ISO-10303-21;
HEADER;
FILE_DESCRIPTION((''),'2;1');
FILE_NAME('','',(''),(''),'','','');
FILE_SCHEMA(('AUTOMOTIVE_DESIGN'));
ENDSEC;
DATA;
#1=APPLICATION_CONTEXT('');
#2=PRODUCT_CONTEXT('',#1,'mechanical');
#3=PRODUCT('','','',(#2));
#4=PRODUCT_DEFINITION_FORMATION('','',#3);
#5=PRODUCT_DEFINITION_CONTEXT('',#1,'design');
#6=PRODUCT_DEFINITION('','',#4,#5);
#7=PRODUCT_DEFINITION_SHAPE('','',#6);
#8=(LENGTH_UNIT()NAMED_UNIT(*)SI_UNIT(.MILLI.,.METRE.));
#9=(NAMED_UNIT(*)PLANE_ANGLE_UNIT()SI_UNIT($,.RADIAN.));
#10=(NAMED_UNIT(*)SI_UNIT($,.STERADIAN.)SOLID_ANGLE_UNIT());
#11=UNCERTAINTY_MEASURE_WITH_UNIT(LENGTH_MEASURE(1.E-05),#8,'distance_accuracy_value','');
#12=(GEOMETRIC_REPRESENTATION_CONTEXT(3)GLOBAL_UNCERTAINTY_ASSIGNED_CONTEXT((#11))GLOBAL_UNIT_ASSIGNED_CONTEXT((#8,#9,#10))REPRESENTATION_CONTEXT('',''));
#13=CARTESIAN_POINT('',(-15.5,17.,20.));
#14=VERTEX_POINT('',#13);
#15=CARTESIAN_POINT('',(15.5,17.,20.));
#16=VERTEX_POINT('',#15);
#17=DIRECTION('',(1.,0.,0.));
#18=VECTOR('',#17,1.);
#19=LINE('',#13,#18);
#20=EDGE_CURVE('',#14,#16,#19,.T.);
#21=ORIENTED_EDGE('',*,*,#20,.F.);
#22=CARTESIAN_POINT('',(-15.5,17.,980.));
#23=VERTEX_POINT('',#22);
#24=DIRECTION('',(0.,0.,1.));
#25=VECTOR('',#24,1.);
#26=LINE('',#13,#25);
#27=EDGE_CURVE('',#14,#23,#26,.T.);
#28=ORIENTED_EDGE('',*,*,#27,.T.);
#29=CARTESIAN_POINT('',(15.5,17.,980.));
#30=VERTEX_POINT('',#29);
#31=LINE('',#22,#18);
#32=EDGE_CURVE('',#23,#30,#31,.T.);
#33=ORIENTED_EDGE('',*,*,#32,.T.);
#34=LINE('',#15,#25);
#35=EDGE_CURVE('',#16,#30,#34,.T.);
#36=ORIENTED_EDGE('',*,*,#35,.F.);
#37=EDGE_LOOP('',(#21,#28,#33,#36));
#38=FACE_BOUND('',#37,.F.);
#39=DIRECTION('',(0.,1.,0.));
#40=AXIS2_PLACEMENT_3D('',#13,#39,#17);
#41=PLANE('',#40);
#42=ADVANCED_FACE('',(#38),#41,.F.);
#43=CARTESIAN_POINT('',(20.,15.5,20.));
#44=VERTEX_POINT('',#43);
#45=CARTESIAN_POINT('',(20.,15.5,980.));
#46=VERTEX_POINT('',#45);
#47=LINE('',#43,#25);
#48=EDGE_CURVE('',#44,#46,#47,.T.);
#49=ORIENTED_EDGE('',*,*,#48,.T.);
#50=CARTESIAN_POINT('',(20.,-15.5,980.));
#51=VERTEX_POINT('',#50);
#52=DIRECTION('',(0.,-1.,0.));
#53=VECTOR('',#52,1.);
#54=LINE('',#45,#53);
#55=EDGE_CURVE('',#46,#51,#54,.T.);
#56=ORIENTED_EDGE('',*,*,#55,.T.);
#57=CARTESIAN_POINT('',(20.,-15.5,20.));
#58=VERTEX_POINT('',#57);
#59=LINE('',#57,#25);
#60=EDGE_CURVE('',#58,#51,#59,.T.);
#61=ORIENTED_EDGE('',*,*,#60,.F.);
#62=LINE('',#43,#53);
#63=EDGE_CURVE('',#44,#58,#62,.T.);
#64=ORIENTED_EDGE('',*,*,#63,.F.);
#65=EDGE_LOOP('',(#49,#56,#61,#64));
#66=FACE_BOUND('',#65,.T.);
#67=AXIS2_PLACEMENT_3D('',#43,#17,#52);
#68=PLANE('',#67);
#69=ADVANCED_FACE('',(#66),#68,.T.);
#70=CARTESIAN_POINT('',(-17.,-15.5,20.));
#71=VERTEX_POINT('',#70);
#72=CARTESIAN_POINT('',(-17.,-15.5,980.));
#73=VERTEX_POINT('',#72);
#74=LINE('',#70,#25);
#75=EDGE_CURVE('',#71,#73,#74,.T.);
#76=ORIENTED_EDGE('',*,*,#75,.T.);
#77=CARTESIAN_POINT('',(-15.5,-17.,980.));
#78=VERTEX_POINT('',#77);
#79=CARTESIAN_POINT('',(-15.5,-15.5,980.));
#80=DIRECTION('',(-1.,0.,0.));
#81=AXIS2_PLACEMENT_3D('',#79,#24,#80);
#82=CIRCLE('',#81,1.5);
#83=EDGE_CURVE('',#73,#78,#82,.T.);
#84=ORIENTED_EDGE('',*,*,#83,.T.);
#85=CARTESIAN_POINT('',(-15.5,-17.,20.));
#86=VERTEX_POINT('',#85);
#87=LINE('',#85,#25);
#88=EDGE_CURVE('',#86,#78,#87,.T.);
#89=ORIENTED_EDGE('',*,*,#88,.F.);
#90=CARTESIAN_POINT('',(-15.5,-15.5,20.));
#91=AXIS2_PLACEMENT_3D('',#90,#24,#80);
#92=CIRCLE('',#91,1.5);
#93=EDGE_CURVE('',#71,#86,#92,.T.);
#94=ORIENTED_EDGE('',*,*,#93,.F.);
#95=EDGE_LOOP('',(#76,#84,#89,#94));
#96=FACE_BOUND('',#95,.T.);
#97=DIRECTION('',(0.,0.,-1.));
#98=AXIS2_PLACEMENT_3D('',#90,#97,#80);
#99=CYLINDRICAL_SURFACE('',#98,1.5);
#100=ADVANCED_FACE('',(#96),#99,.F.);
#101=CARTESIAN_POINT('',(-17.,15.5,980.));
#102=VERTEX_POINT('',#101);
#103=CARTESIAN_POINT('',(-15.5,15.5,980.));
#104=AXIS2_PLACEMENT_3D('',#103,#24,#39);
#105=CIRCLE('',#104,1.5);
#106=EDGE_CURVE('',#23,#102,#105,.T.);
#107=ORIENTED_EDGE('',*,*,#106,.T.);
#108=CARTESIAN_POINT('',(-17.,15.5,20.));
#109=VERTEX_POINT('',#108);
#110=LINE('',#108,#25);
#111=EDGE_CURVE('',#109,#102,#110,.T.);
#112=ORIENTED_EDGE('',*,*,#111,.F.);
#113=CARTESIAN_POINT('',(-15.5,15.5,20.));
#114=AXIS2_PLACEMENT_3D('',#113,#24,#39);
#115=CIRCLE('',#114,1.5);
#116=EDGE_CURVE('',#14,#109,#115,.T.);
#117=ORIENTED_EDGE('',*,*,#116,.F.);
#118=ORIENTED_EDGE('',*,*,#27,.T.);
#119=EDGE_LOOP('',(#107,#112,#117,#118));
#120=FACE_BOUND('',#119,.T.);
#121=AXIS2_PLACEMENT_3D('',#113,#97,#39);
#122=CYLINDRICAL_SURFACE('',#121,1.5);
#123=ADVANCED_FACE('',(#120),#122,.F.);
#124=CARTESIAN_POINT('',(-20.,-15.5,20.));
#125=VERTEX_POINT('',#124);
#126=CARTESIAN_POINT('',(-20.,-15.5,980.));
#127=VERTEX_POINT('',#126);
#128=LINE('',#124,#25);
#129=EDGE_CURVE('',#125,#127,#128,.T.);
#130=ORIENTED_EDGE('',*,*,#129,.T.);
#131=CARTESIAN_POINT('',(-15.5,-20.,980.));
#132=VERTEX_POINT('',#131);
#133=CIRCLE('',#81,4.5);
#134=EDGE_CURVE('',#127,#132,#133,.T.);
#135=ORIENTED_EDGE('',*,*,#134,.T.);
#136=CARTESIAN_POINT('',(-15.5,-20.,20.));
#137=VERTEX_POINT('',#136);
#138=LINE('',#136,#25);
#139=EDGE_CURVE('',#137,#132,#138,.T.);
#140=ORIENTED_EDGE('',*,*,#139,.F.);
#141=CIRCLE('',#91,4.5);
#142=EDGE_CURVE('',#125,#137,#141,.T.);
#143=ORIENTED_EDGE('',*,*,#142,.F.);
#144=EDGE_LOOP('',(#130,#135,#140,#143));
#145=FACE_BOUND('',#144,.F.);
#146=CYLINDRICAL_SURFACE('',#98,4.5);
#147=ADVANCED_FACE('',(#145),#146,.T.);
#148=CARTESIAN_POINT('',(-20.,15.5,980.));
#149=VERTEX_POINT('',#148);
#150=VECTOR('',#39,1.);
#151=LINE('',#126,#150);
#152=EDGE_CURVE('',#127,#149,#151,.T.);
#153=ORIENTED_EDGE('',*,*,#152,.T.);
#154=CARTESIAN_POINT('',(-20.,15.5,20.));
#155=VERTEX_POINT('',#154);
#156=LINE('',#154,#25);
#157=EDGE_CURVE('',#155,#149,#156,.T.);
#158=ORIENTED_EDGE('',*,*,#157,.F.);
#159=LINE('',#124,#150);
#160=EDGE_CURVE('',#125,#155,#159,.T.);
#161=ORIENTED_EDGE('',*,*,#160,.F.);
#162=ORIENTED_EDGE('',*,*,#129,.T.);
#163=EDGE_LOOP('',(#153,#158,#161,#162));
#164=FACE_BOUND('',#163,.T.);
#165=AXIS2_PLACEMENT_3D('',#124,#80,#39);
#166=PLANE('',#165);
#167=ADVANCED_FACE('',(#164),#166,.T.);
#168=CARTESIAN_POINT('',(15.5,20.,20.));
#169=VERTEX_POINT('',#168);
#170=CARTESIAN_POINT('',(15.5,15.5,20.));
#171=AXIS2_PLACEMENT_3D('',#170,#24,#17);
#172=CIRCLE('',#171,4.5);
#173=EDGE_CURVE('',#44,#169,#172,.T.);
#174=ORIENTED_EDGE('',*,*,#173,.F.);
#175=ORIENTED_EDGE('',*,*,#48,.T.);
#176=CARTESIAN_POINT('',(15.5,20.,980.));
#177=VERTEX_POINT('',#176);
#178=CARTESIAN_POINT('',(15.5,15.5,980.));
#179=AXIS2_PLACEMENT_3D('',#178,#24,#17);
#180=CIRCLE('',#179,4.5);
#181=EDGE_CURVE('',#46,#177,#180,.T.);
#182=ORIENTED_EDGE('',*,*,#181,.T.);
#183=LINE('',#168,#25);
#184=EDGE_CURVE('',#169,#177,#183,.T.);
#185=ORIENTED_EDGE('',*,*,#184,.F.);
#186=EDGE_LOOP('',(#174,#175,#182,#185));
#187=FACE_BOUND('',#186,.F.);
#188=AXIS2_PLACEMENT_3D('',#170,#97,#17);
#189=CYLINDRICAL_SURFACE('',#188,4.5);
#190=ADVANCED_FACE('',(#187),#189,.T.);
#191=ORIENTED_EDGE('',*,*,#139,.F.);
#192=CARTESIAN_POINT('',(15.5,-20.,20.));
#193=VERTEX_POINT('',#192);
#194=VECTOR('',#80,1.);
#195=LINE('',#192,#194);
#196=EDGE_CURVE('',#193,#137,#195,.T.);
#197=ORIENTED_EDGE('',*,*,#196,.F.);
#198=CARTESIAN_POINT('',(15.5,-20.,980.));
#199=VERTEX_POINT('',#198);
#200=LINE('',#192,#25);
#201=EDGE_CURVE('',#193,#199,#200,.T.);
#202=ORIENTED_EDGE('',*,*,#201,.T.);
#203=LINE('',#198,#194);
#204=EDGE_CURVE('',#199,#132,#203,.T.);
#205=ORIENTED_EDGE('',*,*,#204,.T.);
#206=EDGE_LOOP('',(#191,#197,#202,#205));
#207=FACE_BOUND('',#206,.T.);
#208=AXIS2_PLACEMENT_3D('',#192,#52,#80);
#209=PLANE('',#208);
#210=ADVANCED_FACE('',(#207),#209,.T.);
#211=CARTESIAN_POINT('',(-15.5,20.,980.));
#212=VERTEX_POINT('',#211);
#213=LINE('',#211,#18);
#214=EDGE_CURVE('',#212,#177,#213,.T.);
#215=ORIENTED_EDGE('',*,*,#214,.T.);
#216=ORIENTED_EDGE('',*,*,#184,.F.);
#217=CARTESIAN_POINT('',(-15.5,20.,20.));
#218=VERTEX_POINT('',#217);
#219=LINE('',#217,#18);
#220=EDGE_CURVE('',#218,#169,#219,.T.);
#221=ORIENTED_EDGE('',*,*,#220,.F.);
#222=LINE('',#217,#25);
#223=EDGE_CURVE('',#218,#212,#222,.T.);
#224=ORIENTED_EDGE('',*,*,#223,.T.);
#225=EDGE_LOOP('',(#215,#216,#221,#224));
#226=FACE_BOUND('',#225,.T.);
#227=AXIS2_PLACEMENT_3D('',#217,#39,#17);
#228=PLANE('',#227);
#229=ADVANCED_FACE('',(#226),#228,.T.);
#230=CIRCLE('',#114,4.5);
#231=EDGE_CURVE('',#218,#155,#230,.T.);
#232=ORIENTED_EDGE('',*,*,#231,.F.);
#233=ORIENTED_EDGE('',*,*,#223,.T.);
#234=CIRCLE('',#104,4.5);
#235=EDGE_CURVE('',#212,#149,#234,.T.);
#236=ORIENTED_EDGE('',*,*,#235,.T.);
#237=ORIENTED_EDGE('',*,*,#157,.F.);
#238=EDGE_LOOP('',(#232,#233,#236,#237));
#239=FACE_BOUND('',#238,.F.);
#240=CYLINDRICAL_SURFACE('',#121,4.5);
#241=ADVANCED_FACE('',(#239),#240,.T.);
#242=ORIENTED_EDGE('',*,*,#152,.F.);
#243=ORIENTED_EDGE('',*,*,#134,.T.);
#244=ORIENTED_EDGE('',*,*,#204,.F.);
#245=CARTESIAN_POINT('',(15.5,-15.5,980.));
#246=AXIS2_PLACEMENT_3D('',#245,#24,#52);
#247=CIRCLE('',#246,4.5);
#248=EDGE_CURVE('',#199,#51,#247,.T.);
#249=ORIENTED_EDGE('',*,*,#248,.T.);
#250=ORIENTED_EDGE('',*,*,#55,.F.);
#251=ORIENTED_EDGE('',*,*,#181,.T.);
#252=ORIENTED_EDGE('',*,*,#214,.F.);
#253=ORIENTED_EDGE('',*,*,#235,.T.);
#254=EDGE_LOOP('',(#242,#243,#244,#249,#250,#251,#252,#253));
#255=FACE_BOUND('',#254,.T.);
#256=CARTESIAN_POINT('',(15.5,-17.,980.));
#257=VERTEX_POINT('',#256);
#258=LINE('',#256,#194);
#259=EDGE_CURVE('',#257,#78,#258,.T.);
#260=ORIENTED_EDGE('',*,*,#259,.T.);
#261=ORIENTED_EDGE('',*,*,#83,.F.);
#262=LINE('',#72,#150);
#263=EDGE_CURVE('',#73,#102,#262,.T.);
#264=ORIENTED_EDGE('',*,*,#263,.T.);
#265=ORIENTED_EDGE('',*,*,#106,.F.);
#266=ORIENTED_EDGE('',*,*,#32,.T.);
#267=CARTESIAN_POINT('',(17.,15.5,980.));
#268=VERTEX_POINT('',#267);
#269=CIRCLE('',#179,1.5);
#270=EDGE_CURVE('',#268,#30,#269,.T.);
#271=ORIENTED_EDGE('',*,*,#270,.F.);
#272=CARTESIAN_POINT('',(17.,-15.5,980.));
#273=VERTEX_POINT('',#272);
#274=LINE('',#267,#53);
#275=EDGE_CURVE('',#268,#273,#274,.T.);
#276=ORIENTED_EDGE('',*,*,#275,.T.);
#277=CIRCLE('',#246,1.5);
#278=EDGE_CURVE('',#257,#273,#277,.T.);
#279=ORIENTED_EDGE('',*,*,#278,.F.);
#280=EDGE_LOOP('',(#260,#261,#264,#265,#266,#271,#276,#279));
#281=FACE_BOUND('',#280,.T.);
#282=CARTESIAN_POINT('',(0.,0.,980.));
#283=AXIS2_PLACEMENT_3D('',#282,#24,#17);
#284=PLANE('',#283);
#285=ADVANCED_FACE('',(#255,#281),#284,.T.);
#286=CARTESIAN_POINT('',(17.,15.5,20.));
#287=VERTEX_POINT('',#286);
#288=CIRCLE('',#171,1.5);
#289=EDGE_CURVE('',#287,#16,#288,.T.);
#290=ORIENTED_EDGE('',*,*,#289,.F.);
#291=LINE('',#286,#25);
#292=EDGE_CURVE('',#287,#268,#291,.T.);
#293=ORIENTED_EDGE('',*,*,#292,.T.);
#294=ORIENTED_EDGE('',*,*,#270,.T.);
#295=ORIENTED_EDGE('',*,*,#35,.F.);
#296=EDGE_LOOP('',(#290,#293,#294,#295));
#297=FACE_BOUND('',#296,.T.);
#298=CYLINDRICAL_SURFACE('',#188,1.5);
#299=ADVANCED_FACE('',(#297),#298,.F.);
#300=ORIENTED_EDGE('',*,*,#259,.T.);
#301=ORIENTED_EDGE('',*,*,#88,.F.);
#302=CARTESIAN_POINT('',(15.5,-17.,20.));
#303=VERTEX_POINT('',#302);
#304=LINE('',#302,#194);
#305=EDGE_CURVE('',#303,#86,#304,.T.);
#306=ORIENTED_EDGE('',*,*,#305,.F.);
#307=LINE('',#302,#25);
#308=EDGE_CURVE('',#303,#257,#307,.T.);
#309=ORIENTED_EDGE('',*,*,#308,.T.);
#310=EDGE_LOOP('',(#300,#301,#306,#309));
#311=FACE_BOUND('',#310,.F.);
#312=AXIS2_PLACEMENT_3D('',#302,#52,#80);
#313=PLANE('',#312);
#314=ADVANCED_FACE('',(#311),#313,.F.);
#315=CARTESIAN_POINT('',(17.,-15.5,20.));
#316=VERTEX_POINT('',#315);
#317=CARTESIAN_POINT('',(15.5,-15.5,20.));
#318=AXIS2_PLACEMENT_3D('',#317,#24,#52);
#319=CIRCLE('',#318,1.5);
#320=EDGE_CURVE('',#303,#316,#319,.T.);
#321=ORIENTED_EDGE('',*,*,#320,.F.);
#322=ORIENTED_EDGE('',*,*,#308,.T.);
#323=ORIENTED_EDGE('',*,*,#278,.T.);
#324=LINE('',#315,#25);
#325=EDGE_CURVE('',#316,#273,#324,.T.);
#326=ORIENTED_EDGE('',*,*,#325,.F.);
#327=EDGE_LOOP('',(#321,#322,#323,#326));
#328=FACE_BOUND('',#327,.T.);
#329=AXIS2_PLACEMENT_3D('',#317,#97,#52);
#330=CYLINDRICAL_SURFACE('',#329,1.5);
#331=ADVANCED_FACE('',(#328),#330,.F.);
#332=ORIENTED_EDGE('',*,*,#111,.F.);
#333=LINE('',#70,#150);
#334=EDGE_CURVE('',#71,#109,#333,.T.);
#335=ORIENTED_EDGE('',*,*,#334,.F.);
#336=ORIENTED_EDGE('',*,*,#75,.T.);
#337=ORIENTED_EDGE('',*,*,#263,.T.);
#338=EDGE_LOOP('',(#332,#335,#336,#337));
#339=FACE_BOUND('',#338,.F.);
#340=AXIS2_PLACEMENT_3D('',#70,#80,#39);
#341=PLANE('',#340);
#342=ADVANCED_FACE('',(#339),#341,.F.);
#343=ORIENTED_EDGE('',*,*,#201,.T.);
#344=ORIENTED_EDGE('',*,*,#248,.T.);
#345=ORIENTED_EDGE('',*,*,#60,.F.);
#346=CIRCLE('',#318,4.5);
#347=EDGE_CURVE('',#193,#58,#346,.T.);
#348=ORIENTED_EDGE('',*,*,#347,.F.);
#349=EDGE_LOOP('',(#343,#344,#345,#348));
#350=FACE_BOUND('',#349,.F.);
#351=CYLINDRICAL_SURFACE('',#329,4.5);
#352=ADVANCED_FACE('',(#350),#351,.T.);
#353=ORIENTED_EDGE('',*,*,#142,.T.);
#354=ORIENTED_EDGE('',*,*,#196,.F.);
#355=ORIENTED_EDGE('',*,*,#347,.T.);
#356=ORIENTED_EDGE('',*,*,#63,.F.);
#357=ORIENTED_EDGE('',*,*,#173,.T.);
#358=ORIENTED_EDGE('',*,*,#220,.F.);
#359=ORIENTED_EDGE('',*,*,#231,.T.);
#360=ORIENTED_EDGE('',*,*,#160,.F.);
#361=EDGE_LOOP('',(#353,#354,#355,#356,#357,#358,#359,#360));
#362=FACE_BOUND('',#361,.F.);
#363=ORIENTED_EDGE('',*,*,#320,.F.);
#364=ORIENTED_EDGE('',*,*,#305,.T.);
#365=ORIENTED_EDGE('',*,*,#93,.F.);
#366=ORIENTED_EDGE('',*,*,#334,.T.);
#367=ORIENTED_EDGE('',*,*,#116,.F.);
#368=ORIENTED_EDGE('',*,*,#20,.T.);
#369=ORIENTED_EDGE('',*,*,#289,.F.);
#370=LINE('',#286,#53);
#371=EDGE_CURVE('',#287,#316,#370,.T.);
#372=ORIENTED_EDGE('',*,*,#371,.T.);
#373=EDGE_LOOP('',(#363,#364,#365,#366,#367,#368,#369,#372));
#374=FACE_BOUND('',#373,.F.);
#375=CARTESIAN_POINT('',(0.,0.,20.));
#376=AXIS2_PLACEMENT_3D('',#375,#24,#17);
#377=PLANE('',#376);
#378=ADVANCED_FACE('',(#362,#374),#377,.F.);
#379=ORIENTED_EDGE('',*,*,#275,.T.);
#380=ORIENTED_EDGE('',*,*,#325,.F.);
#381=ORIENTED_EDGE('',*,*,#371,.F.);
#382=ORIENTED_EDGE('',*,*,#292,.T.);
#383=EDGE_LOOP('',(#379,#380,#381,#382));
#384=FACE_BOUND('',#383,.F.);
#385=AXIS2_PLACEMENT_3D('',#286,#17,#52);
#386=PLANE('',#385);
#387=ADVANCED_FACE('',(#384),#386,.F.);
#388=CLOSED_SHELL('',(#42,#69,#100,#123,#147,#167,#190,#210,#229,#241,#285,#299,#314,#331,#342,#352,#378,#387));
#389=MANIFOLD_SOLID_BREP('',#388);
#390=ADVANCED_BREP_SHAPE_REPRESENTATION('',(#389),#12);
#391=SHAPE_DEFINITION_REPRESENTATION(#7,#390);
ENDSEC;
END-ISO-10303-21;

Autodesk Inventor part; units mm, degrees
ref_plane "Start Plane" through (0, 0, 20) normal (0, 0, 1) x (1, 0, 0)
ref_plane "End Plane" through (0, 0, 980) normal (0, 0, 1) x (1, 0, 0)
sketch "Sketch" plane through (0, 0, 0) normal (0, 0, 1) x (1, 0, 0)
  line L0 (-20, -15.5) -> (-20, 15.5)
  line L1 (-15.5, 20) -> (15.5, 20)
  line L2 (20, 15.5) -> (20, -15.5)
  line L3 (15.5, -20) -> (-15.5, -20)
  arc A0 (-20, -15.5) -> (-15.5, -20) centre (-15.5, -15.5) ccw
  arc A1 (-15.5, 20) -> (-20, 15.5) centre (-15.5, 15.5) ccw
  arc A2 (20, 15.5) -> (15.5, 20) centre (15.5, 15.5) ccw
  arc A3 (15.5, -20) -> (20, -15.5) centre (15.5, -15.5) ccw
  arc A4 (-15.5, 17) -> (-17, 15.5) centre (-15.5, 15.5) ccw
  line L4 (-15.5, 17) -> (15.5, 17)
  arc A5 (17, 15.5) -> (15.5, 17) centre (15.5, 15.5) ccw
  line L5 (17, 15.5) -> (17, -15.5)
  arc A6 (15.5, -17) -> (17, -15.5) centre (15.5, -15.5) ccw
  line L6 (15.5, -17) -> (-15.5, -17)
  arc A7 (-17, -15.5) -> (-15.5, -17) centre (-15.5, -15.5) ccw
  line L7 (-17, -15.5) -> (-17, 15.5)
  line L8 (0, 29.3048) -> (0, -29.3048) construction
  line L9 (-29.3048, 0) -> (29.3048, 0) construction
  dimension "d7" = 4.5
  dimension "d10" = 40
  dimension "d11" = 40
  dimension "d12" = 3
  dimension "d15" = 20
  dimension "d16" = 20
extrude "Body" add sketch "Sketch" along normal up to surface (960 mm away) from surface at 20
sketch "Sketch3" plane through (0, 0, 0) normal (0, 0, 1) x (1, 0, 0)
  line L0 (0, 0) -> (10, 0)
ref_plane "Work Plane3" through (0, 0, 0) normal (0, -1, 0) x (1, 0, 0)
ref_plane "Work Plane4" through (-15.5, 1040, 20) normal (0, 0, -1) x (-1, 0, 0)
split "Split1" plane through (-15.5, 1040, 20) removes the side toward (0, 0, -1)
ref_plane "Work Plane5" through (15.5, 1040, 980) normal (0, 0, 1) x (1, 0, 0)
split "Split2" plane through (15.5, 1040, 980) removes the side toward (0, 0, 1)
sketch "Sketch4" plane through (0, 0, 0) normal (0, -1, 0) x (1, 0, 0)
  line L0 (-2, 20) -> (12, 20) projected
  line L1 (-2, 980) -> (12, 980) projected
  dimension "d18" = 960
equation "\"d7\" = G_IR"
equation "\"d10\" = G_H"
equation "\"d11\" = G_W"
equation "\"d12\" = G_T"
equation "\"d15\" = 0.5 * d10"
equation "\"d16\" = 0.5 * d11"
equation "\"d3\" = G_L"
equation "\"G_W\" = 40"
equation "\"G_H\" = 40"
equation "\"G_T\" = 3"
equation "\"G_IR\" = 4.5"
equation "\"G_L\" = d18"
properties part number "ISO 12633-2 - 40x40x3 - 960" material "Steel, Mild"
